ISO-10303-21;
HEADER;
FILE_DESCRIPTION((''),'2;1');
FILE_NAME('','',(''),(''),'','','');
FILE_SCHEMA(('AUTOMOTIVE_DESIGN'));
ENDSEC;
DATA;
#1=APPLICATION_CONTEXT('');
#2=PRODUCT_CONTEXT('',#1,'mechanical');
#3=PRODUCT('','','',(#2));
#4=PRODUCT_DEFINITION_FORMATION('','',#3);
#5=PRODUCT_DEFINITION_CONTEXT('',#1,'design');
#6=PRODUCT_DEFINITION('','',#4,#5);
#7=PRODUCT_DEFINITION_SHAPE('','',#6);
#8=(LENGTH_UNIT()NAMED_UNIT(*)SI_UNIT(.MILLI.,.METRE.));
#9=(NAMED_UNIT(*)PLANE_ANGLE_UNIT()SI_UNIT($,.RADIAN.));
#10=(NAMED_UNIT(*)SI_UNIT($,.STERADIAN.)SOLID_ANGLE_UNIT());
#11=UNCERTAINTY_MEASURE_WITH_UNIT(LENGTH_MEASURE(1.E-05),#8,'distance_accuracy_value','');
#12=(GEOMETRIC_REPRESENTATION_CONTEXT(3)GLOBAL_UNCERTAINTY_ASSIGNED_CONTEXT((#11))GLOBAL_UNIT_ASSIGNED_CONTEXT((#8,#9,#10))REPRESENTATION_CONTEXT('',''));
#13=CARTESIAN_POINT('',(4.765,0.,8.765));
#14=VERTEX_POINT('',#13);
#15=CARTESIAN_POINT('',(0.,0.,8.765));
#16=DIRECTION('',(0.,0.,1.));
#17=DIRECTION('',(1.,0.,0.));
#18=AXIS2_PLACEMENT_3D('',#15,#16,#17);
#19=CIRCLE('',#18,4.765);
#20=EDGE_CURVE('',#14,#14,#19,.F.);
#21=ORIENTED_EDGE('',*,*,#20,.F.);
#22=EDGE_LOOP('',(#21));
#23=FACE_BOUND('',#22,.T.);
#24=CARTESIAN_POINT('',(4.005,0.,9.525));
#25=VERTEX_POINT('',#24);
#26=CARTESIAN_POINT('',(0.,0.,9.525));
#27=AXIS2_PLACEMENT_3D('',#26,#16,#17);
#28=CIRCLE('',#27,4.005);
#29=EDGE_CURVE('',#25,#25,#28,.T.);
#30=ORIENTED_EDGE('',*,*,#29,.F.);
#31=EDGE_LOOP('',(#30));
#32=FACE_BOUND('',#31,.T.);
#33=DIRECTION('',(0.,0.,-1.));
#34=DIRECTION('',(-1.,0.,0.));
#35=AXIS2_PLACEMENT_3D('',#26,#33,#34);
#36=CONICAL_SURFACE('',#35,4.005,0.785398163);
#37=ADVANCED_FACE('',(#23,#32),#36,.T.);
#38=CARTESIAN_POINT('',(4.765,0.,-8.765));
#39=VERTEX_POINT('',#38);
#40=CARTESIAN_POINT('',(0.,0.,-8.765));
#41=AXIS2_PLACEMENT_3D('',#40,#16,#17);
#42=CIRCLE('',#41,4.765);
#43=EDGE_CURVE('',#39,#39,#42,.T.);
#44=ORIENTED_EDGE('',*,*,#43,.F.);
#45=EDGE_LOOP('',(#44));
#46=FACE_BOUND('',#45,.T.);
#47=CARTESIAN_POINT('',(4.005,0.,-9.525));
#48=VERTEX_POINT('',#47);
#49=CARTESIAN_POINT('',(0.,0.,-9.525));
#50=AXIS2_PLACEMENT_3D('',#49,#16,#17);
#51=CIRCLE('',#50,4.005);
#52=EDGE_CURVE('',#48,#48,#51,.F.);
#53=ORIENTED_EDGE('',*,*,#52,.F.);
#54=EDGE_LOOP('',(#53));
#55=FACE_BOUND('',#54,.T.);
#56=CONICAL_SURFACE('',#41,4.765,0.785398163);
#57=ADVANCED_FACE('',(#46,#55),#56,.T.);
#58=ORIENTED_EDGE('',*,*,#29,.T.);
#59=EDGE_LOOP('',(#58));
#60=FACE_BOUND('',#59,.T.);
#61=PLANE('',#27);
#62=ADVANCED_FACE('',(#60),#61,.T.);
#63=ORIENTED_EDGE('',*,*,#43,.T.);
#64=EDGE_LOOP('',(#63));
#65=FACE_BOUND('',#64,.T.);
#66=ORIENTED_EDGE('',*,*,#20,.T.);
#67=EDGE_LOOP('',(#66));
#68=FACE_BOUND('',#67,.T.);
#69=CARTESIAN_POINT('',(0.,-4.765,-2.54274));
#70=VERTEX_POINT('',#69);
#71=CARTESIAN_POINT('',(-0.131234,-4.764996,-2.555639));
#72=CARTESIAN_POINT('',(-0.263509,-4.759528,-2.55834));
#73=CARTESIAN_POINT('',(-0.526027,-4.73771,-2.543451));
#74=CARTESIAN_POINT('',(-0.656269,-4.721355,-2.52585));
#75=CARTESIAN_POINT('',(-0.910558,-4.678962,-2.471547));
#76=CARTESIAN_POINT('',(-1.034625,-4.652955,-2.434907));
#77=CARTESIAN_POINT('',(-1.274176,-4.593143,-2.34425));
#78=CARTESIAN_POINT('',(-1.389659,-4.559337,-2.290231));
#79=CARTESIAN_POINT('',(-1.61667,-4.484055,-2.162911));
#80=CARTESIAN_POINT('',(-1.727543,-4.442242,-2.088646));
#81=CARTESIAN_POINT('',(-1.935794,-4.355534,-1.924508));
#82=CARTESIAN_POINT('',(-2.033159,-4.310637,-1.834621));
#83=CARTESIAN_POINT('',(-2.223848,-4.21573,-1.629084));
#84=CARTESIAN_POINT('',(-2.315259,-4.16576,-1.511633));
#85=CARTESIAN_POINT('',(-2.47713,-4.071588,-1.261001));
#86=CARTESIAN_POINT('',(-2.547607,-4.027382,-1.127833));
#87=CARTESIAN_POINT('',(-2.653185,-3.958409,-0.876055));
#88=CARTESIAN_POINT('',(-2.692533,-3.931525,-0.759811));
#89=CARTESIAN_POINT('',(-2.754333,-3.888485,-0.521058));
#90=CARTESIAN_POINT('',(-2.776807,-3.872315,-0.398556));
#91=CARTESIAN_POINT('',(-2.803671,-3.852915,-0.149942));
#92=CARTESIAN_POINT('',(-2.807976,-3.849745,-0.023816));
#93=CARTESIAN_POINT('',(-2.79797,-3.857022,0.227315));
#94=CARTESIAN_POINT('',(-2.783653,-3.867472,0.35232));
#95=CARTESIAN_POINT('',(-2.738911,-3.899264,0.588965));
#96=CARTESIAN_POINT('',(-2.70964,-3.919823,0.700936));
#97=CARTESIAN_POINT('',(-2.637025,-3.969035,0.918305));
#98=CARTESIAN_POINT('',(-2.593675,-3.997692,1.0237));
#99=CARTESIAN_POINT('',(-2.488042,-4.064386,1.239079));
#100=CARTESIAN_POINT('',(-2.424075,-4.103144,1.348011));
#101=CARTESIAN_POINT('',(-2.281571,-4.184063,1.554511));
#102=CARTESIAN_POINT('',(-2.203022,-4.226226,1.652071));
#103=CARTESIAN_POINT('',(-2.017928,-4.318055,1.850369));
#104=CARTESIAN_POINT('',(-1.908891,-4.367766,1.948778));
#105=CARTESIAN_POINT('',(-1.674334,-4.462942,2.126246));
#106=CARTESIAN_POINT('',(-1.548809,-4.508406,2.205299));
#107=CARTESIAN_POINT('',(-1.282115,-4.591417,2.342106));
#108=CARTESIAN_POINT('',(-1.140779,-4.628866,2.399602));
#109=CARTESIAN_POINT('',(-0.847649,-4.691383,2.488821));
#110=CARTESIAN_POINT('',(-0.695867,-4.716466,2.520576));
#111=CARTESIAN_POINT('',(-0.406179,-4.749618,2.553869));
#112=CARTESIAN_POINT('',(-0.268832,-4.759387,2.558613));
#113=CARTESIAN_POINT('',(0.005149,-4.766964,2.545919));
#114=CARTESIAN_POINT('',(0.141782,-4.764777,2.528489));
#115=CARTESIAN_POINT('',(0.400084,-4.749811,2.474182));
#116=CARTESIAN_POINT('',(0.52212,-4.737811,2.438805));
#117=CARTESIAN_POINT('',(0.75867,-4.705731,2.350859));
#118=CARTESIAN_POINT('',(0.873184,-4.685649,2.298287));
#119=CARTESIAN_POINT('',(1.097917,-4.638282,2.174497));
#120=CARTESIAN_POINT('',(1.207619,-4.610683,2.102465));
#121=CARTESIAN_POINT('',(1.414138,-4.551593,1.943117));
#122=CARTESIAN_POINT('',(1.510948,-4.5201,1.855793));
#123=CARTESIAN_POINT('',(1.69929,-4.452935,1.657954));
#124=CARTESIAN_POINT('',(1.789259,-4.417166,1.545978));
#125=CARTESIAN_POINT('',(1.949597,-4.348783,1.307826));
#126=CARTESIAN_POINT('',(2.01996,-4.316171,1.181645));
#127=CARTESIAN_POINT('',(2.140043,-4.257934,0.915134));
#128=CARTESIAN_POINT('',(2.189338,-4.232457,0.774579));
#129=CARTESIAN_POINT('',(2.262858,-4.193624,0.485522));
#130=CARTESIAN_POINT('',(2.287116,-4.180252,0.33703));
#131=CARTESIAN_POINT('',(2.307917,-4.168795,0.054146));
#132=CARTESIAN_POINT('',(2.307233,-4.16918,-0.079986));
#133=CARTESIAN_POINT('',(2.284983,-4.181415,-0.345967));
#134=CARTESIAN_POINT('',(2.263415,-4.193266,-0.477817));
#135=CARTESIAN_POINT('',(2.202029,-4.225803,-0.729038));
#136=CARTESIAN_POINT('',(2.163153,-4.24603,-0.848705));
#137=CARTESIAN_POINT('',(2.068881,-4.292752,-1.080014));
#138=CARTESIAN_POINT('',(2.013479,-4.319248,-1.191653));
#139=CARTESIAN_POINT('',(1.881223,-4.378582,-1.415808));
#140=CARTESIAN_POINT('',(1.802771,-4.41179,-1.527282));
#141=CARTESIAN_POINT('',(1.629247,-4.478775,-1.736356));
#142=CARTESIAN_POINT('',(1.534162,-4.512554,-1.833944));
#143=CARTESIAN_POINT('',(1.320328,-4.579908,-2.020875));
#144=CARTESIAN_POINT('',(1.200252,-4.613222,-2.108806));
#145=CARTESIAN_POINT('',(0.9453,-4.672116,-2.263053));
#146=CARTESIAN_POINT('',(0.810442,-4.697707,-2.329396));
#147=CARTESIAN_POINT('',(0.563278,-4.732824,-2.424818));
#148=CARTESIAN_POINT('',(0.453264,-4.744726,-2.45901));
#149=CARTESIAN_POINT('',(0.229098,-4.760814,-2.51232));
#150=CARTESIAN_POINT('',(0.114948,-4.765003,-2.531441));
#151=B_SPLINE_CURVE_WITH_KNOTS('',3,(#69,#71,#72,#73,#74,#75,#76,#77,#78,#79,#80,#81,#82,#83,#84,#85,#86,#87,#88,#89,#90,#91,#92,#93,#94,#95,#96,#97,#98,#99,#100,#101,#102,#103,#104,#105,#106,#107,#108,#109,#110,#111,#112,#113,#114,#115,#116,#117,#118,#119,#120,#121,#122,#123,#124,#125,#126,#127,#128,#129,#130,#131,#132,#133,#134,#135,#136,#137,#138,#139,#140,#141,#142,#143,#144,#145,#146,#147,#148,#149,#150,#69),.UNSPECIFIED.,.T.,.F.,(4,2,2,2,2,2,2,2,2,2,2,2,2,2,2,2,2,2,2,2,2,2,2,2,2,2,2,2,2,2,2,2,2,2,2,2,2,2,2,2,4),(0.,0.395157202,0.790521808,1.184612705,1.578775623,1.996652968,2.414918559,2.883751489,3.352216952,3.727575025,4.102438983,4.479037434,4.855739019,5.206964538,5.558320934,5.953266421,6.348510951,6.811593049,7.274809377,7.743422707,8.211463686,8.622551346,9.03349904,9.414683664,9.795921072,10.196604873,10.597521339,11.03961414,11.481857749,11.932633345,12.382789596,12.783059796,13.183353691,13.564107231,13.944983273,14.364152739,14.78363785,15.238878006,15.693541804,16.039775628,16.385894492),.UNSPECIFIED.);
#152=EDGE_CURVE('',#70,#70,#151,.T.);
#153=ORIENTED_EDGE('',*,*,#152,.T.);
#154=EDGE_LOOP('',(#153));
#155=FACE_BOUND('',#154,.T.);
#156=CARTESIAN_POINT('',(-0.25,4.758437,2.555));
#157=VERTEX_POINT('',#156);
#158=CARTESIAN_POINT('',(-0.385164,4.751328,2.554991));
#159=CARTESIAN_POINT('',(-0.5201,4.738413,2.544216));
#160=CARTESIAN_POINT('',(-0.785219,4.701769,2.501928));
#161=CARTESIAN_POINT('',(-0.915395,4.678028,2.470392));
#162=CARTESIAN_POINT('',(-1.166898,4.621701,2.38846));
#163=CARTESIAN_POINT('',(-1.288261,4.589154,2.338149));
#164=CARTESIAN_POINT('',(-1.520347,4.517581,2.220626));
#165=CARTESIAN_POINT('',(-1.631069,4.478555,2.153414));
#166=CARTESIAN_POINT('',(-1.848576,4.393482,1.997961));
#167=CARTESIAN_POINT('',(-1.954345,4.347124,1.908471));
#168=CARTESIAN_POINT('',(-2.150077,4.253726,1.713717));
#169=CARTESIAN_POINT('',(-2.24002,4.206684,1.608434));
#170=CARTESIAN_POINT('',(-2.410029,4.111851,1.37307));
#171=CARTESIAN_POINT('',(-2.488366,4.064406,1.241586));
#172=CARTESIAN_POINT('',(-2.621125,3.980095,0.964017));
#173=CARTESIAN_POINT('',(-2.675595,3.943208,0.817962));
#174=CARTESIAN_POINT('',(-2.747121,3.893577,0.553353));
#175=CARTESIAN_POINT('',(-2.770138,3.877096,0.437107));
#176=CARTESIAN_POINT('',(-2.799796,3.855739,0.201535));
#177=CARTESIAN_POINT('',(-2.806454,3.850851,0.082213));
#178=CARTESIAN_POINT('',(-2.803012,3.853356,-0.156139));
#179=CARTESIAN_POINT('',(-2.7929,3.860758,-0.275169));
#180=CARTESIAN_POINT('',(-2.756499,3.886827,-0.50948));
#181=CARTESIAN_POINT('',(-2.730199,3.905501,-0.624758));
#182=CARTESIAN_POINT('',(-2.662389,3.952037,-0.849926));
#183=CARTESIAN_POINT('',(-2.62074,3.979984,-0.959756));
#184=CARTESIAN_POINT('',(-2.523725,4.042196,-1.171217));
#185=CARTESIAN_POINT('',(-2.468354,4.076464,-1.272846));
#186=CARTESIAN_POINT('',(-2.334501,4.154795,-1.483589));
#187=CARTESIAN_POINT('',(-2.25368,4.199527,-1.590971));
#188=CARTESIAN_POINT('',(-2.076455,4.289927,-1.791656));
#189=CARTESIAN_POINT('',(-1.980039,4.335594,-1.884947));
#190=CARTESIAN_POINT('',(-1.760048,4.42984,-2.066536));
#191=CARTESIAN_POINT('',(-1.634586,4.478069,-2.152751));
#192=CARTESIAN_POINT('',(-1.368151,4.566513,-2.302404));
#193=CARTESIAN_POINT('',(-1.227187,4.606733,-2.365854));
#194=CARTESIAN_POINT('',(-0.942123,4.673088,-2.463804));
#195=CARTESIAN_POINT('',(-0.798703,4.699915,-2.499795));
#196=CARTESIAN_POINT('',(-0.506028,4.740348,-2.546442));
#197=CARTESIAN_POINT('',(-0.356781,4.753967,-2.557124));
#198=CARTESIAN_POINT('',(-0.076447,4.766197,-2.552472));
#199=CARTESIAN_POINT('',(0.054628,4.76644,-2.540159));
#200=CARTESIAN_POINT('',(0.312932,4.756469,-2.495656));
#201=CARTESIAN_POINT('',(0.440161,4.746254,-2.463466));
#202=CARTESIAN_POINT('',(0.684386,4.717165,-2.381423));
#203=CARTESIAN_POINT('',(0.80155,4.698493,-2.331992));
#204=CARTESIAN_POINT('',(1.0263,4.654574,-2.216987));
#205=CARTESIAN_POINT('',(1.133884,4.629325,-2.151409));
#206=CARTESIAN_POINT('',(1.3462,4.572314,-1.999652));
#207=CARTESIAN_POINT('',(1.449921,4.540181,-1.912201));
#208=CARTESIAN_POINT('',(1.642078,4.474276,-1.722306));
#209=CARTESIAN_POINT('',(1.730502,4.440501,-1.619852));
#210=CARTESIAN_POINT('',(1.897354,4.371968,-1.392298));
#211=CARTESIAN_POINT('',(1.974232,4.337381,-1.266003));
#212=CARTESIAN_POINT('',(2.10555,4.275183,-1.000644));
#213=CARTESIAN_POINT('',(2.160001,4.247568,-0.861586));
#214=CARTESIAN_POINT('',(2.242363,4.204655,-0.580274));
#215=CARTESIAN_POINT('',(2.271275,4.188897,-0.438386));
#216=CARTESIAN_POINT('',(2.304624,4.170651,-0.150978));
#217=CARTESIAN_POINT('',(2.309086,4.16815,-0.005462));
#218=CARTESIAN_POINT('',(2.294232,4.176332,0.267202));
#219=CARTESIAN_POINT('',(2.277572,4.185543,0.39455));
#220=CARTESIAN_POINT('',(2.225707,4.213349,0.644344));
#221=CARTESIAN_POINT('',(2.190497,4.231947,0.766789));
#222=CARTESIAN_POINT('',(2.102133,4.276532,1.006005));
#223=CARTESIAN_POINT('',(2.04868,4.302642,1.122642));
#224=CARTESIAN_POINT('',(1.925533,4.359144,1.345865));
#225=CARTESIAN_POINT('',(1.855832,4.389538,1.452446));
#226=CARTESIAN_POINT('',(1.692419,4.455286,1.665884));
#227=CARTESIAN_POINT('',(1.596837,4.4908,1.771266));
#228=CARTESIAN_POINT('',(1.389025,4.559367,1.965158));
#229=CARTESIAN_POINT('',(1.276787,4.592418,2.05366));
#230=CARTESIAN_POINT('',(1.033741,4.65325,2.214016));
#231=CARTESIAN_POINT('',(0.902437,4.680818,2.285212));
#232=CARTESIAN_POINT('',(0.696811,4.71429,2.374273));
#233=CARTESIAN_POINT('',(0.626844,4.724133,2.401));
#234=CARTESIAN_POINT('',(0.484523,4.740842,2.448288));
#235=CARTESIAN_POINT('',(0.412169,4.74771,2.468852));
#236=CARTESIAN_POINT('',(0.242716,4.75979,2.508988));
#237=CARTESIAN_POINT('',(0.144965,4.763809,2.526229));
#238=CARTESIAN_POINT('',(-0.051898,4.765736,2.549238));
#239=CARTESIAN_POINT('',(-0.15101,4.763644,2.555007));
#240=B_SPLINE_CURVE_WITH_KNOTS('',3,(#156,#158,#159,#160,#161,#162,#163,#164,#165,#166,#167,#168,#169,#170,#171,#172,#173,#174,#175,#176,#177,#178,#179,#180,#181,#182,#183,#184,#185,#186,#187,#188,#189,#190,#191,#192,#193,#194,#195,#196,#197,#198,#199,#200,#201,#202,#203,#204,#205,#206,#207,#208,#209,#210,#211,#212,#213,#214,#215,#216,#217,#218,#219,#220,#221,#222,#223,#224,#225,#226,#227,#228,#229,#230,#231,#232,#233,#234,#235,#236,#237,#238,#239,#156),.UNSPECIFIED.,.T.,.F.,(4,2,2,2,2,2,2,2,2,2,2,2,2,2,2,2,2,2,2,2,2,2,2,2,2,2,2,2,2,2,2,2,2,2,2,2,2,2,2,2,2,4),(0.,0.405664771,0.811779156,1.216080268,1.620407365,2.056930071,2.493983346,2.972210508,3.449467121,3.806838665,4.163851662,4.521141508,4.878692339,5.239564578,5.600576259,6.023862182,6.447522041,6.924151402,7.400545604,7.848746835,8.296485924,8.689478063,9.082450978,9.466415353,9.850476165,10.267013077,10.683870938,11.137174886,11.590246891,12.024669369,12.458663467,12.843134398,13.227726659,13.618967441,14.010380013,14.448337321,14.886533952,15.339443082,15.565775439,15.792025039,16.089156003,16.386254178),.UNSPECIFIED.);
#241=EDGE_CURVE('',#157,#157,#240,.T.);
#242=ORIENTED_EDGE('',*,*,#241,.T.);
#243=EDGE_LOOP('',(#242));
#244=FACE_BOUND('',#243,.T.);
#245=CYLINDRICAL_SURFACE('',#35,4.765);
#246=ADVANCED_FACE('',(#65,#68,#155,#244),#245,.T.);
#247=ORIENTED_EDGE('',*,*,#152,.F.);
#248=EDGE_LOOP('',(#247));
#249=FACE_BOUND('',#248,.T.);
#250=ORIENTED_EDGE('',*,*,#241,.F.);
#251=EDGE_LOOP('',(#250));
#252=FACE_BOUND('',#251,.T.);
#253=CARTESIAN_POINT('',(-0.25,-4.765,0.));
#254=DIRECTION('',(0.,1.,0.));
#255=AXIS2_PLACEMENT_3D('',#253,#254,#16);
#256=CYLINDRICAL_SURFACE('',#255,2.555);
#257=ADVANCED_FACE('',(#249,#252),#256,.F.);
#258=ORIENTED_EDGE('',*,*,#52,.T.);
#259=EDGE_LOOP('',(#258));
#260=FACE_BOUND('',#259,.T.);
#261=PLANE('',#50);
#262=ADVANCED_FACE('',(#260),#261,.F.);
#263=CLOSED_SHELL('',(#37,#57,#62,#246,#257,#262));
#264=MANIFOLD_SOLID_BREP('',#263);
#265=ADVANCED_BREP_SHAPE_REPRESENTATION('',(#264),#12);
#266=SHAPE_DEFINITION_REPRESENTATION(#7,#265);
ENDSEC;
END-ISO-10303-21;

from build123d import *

# Parameters (mm, degrees)
SKETCH1_R               = 4.765
BOSS_EXTRUDE1_DEPTH     = 9.525
CHAMFER1_SIZE           = 0.76
CUT_EXTRUDE1_DEPTH      = 12.667736499
CUT_EXTRUDE1_DEPTH_BACK = 12.667736499
SKETCH2_R               = 2.555


with BuildPart() as part:
    # Sketch1 → Boss-Extrude1 (new, symmetric)
    with BuildSketch(Plane.XY):
        with Locations(Location((0, 0, 0), (0, 0, 180))):
            Circle(SKETCH1_R)
    extrude(amount=BOSS_EXTRUDE1_DEPTH, both=True)

    # Chamfer1
    chamfer1_edges = [part.edges().sort_by_distance(p)[0] for p in [
        (4.765, 0, -9.525),
        (4.765, 0, 9.525),
    ]]
    chamfer(chamfer1_edges, length=CHAMFER1_SIZE)

    # Sketch2 → Cut-Extrude1 (cut, two sides: drawn at the far end of the back side and taken through both)
    with BuildSketch(Plane(origin=(0, 0, 0), x_dir=(1, 0, 0), z_dir=(0, 1, 0)).offset(-CUT_EXTRUDE1_DEPTH_BACK)):
        with Locations(Location((-0.25, 0, 0), (0, 0, 270))):
            Circle(SKETCH2_R)
    extrude(amount=CUT_EXTRUDE1_DEPTH + CUT_EXTRUDE1_DEPTH_BACK, mode=Mode.SUBTRACT)


solid = part.part
